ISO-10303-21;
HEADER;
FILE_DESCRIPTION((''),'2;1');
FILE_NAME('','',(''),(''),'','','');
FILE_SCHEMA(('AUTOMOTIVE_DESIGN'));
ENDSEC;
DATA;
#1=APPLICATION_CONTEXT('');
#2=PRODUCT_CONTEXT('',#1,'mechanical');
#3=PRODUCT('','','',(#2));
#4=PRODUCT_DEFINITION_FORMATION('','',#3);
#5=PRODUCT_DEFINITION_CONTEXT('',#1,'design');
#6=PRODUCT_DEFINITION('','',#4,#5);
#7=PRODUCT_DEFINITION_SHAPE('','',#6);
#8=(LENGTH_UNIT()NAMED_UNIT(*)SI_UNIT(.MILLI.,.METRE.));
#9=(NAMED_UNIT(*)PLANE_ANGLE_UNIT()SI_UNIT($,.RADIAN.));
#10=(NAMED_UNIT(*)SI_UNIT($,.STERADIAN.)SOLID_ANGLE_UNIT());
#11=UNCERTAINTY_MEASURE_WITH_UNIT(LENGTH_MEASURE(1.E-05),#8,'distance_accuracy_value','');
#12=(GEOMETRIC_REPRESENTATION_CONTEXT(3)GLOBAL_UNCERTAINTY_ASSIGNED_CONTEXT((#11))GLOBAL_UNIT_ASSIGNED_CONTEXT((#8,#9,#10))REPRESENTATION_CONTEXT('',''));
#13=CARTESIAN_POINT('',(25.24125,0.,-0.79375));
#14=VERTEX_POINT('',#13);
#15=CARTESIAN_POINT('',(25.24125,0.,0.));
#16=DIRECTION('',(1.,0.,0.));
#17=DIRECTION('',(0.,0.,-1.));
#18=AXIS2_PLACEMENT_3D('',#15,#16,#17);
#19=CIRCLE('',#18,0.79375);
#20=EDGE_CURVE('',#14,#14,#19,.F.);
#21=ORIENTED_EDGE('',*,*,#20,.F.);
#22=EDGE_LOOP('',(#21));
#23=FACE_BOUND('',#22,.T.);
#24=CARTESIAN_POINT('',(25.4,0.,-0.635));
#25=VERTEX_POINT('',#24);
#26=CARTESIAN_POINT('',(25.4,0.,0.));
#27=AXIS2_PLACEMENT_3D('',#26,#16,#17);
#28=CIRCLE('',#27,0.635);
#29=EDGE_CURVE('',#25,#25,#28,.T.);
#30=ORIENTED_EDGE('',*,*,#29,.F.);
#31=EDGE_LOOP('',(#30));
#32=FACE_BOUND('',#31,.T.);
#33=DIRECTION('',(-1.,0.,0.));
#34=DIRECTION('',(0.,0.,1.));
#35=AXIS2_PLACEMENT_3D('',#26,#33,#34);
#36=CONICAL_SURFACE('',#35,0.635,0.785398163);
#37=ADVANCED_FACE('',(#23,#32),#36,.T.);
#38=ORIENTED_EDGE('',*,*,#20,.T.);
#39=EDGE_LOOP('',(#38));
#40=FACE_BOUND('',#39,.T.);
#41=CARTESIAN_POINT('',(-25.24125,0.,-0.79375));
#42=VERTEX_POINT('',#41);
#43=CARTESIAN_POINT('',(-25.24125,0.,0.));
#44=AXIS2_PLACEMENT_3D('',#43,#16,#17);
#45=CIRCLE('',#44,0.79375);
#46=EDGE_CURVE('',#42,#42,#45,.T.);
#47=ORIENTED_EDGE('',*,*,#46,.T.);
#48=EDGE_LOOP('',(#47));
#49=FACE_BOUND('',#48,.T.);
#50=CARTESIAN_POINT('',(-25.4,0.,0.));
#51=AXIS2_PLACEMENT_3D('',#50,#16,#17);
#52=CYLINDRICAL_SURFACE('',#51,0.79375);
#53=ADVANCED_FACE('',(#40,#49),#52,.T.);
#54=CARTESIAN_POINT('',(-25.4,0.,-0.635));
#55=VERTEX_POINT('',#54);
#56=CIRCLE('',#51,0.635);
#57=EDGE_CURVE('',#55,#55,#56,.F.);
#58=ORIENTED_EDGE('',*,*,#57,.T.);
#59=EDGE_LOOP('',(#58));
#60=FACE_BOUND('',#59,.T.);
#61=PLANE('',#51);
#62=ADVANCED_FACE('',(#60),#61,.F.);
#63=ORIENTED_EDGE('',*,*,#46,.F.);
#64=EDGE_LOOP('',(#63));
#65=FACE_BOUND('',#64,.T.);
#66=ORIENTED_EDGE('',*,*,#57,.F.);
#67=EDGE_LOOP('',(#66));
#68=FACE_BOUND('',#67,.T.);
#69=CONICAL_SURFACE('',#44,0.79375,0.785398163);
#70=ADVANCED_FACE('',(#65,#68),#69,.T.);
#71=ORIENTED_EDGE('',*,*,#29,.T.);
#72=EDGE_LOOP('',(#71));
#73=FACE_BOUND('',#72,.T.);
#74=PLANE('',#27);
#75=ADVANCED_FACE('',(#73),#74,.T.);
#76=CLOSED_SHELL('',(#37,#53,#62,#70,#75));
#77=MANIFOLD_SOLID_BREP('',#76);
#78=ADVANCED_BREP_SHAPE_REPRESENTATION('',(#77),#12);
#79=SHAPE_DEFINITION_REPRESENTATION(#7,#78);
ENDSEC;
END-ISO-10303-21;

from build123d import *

# Parameters (mm, degrees)
EXTRUDE1_DEPTH      = 25.4
EXTRUDE1_DEPTH_BACK = 25.4
SKETCH2_R           = 0.79375
CHAMFER1_SIZE       = 0.15875


with BuildPart() as part:
    # Sketch2 → Extrude1 (new, two sides: drawn at the far end of the back side and taken through both)
    with BuildSketch(Plane(origin=(0, 0, 0), x_dir=(0, 0, -1), z_dir=(1, 0, 0)).offset(-EXTRUDE1_DEPTH_BACK)):
        Circle(SKETCH2_R)
    extrude(amount=EXTRUDE1_DEPTH + EXTRUDE1_DEPTH_BACK)

    # Chamfer1
    chamfer1_edges = [part.edges().sort_by_distance(p)[0] for p in [
        (-25.4, 0, 0.79375),
        (25.4, 0, 0.79375),
    ]]
    chamfer(chamfer1_edges, length=CHAMFER1_SIZE)


solid = part.part
